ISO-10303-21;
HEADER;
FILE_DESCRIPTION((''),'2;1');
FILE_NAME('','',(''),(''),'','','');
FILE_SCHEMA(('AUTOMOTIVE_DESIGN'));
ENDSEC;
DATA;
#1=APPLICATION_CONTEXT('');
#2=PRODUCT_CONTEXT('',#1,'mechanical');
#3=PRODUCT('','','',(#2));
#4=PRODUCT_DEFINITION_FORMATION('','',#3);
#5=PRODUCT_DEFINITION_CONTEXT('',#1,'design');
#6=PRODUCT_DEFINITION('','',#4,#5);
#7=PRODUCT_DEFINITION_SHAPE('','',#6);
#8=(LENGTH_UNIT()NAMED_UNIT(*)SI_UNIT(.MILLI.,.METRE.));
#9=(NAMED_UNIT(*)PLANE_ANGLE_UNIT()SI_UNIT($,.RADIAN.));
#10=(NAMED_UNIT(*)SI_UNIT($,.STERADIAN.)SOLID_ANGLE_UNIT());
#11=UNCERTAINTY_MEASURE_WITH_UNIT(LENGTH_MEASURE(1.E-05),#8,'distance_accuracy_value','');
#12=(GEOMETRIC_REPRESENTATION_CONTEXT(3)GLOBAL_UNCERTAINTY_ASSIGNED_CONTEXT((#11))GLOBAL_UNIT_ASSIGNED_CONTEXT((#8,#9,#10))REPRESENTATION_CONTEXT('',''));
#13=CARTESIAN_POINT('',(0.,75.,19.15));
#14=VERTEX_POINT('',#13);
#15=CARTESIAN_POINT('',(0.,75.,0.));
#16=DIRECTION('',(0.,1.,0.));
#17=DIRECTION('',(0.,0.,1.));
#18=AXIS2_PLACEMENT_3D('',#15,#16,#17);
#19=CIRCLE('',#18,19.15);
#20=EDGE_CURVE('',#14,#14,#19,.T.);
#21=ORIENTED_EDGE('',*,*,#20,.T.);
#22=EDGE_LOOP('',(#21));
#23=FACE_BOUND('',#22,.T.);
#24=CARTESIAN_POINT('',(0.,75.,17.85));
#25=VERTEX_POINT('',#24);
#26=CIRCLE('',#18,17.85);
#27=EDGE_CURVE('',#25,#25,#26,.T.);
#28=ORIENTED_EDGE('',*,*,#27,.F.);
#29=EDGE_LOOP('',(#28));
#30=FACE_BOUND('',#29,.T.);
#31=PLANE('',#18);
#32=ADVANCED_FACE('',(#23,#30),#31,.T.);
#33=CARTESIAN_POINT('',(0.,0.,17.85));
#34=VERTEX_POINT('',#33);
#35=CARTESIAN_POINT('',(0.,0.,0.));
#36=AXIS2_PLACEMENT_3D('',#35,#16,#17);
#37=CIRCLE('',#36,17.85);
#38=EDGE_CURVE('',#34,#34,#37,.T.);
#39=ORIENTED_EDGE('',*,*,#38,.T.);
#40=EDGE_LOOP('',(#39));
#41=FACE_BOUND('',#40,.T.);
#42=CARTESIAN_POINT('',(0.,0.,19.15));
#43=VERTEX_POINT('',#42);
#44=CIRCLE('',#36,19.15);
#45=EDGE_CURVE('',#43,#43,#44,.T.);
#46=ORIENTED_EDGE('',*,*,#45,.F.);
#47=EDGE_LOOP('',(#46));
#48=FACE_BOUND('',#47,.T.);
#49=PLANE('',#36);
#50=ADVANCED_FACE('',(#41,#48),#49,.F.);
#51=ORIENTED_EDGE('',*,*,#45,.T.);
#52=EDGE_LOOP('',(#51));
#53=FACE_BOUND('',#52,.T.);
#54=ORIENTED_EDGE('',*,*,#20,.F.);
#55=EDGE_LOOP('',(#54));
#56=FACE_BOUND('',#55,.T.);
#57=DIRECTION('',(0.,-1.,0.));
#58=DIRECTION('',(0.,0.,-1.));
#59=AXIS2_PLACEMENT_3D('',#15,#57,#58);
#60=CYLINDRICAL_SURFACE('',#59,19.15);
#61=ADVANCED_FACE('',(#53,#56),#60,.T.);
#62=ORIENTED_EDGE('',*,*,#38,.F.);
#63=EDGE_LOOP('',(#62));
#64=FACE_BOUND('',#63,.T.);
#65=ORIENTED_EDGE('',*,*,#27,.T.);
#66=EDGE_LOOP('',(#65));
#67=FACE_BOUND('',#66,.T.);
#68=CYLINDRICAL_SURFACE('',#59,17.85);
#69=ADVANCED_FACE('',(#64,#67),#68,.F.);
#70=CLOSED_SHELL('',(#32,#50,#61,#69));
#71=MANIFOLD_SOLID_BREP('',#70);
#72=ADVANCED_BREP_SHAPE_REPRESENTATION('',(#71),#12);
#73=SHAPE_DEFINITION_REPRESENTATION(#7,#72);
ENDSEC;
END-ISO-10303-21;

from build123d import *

# Parameters (mm, degrees)
SKETCH1_R           = 19.15
SKETCH1_R_2         = 17.85
BOSS_EXTRUDE1_DEPTH = 75


with BuildPart() as part:
    # Sketch1 → Boss-Extrude1 (new body)
    with BuildSketch(Plane(origin=(0, 0, 0), x_dir=(1, 0, 0), z_dir=(0, 1, 0))):
        Circle(SKETCH1_R)
        Circle(SKETCH1_R_2, mode=Mode.SUBTRACT)
    extrude(amount=BOSS_EXTRUDE1_DEPTH)


solid = part.part
